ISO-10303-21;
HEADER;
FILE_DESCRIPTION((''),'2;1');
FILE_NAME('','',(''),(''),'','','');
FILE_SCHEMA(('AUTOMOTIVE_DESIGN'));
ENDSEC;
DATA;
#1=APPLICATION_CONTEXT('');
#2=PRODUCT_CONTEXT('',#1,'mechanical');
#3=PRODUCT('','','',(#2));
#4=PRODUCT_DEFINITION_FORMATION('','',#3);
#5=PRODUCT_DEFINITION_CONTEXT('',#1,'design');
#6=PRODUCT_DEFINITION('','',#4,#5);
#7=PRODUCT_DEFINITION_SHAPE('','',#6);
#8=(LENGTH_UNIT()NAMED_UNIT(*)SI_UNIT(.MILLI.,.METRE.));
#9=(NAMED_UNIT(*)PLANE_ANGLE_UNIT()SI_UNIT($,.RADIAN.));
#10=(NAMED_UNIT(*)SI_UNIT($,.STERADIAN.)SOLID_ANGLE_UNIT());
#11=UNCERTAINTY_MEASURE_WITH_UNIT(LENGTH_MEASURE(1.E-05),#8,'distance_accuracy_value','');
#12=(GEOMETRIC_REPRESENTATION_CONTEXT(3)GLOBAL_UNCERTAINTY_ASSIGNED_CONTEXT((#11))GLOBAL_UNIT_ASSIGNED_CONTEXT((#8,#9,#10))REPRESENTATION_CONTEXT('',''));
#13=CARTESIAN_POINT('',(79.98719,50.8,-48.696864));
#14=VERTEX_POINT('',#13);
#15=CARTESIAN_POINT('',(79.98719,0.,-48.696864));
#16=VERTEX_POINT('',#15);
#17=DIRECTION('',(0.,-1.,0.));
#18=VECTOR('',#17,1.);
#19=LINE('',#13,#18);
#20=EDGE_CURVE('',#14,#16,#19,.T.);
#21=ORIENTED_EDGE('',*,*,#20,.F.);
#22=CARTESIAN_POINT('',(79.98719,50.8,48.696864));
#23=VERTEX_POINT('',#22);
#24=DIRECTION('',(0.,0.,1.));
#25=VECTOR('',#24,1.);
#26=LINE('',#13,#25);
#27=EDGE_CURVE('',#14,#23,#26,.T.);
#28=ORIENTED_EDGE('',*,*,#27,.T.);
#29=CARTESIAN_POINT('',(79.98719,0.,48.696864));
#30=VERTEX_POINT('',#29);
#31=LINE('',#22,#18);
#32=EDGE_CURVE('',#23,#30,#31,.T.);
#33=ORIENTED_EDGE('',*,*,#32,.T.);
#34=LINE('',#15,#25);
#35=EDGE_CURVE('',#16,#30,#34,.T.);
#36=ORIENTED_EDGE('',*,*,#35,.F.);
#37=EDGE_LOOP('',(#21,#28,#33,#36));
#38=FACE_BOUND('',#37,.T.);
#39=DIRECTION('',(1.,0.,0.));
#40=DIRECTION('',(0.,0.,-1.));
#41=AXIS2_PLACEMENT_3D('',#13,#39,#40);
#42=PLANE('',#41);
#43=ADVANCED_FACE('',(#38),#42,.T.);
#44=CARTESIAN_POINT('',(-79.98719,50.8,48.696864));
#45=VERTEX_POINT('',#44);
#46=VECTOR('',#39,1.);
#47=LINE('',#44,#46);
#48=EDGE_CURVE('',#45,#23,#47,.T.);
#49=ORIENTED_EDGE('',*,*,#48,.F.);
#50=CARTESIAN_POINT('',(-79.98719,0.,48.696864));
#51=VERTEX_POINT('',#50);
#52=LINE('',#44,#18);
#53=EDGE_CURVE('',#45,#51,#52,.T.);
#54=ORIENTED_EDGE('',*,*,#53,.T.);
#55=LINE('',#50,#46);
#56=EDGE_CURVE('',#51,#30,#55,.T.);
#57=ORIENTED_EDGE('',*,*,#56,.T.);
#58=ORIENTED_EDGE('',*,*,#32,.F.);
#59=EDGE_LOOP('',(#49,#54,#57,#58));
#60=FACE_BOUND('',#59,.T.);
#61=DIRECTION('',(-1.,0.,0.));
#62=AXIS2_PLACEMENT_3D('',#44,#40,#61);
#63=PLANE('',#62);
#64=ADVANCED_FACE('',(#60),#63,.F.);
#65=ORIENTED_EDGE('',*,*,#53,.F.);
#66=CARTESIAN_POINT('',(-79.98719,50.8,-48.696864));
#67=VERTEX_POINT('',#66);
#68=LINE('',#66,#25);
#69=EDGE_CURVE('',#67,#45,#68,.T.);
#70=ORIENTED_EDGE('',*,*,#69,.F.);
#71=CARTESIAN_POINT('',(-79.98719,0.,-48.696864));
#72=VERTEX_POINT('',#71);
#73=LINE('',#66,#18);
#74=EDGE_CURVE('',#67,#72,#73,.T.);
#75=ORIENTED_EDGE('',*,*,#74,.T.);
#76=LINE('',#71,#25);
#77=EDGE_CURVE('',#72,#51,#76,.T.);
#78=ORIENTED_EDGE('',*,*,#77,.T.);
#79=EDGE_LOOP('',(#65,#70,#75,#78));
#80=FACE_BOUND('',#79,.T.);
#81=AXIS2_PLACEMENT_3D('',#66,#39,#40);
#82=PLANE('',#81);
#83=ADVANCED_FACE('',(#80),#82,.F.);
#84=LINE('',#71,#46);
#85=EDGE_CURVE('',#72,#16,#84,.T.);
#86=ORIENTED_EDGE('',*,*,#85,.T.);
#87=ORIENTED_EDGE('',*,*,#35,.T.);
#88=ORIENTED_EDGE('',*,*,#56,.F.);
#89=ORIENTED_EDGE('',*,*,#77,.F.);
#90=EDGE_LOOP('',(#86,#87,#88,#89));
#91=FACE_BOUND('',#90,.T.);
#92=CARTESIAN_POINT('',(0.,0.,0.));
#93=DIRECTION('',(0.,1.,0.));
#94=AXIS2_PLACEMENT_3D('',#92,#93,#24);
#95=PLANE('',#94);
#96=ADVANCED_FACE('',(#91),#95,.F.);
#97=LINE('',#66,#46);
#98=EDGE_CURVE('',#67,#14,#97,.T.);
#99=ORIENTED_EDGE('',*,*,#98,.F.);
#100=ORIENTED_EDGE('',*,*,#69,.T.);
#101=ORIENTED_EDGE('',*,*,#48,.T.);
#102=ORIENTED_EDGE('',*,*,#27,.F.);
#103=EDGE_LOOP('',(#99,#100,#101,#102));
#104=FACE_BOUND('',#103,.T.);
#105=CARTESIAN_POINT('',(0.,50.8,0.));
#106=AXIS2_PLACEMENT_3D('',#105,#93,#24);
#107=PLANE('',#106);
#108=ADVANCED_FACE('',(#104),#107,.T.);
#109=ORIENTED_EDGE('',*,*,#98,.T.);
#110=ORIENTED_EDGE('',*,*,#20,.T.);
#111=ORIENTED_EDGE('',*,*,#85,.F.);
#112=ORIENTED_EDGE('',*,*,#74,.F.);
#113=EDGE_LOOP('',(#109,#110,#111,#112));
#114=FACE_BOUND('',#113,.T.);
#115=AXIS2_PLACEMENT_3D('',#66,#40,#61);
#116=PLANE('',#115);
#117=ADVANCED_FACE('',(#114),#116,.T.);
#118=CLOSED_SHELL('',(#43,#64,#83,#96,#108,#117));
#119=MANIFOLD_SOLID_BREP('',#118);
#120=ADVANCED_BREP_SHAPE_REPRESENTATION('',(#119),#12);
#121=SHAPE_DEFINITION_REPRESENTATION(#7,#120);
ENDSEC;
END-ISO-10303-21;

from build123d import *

# Parameters (mm, degrees)
SKETCH1_W           = 159.974379678
SKETCH1_H           = 97.39372856
BOSS_EXTRUDE2_DEPTH = 50.8


with BuildPart() as part:
    # Sketch1 → Boss-Extrude2 (new body)
    with BuildSketch(Plane(origin=(0, 0, 0), x_dir=(1, 0, 0), z_dir=(0, 1, 0))):
        Rectangle(SKETCH1_W, SKETCH1_H)
    extrude(amount=BOSS_EXTRUDE2_DEPTH)


solid = part.part
